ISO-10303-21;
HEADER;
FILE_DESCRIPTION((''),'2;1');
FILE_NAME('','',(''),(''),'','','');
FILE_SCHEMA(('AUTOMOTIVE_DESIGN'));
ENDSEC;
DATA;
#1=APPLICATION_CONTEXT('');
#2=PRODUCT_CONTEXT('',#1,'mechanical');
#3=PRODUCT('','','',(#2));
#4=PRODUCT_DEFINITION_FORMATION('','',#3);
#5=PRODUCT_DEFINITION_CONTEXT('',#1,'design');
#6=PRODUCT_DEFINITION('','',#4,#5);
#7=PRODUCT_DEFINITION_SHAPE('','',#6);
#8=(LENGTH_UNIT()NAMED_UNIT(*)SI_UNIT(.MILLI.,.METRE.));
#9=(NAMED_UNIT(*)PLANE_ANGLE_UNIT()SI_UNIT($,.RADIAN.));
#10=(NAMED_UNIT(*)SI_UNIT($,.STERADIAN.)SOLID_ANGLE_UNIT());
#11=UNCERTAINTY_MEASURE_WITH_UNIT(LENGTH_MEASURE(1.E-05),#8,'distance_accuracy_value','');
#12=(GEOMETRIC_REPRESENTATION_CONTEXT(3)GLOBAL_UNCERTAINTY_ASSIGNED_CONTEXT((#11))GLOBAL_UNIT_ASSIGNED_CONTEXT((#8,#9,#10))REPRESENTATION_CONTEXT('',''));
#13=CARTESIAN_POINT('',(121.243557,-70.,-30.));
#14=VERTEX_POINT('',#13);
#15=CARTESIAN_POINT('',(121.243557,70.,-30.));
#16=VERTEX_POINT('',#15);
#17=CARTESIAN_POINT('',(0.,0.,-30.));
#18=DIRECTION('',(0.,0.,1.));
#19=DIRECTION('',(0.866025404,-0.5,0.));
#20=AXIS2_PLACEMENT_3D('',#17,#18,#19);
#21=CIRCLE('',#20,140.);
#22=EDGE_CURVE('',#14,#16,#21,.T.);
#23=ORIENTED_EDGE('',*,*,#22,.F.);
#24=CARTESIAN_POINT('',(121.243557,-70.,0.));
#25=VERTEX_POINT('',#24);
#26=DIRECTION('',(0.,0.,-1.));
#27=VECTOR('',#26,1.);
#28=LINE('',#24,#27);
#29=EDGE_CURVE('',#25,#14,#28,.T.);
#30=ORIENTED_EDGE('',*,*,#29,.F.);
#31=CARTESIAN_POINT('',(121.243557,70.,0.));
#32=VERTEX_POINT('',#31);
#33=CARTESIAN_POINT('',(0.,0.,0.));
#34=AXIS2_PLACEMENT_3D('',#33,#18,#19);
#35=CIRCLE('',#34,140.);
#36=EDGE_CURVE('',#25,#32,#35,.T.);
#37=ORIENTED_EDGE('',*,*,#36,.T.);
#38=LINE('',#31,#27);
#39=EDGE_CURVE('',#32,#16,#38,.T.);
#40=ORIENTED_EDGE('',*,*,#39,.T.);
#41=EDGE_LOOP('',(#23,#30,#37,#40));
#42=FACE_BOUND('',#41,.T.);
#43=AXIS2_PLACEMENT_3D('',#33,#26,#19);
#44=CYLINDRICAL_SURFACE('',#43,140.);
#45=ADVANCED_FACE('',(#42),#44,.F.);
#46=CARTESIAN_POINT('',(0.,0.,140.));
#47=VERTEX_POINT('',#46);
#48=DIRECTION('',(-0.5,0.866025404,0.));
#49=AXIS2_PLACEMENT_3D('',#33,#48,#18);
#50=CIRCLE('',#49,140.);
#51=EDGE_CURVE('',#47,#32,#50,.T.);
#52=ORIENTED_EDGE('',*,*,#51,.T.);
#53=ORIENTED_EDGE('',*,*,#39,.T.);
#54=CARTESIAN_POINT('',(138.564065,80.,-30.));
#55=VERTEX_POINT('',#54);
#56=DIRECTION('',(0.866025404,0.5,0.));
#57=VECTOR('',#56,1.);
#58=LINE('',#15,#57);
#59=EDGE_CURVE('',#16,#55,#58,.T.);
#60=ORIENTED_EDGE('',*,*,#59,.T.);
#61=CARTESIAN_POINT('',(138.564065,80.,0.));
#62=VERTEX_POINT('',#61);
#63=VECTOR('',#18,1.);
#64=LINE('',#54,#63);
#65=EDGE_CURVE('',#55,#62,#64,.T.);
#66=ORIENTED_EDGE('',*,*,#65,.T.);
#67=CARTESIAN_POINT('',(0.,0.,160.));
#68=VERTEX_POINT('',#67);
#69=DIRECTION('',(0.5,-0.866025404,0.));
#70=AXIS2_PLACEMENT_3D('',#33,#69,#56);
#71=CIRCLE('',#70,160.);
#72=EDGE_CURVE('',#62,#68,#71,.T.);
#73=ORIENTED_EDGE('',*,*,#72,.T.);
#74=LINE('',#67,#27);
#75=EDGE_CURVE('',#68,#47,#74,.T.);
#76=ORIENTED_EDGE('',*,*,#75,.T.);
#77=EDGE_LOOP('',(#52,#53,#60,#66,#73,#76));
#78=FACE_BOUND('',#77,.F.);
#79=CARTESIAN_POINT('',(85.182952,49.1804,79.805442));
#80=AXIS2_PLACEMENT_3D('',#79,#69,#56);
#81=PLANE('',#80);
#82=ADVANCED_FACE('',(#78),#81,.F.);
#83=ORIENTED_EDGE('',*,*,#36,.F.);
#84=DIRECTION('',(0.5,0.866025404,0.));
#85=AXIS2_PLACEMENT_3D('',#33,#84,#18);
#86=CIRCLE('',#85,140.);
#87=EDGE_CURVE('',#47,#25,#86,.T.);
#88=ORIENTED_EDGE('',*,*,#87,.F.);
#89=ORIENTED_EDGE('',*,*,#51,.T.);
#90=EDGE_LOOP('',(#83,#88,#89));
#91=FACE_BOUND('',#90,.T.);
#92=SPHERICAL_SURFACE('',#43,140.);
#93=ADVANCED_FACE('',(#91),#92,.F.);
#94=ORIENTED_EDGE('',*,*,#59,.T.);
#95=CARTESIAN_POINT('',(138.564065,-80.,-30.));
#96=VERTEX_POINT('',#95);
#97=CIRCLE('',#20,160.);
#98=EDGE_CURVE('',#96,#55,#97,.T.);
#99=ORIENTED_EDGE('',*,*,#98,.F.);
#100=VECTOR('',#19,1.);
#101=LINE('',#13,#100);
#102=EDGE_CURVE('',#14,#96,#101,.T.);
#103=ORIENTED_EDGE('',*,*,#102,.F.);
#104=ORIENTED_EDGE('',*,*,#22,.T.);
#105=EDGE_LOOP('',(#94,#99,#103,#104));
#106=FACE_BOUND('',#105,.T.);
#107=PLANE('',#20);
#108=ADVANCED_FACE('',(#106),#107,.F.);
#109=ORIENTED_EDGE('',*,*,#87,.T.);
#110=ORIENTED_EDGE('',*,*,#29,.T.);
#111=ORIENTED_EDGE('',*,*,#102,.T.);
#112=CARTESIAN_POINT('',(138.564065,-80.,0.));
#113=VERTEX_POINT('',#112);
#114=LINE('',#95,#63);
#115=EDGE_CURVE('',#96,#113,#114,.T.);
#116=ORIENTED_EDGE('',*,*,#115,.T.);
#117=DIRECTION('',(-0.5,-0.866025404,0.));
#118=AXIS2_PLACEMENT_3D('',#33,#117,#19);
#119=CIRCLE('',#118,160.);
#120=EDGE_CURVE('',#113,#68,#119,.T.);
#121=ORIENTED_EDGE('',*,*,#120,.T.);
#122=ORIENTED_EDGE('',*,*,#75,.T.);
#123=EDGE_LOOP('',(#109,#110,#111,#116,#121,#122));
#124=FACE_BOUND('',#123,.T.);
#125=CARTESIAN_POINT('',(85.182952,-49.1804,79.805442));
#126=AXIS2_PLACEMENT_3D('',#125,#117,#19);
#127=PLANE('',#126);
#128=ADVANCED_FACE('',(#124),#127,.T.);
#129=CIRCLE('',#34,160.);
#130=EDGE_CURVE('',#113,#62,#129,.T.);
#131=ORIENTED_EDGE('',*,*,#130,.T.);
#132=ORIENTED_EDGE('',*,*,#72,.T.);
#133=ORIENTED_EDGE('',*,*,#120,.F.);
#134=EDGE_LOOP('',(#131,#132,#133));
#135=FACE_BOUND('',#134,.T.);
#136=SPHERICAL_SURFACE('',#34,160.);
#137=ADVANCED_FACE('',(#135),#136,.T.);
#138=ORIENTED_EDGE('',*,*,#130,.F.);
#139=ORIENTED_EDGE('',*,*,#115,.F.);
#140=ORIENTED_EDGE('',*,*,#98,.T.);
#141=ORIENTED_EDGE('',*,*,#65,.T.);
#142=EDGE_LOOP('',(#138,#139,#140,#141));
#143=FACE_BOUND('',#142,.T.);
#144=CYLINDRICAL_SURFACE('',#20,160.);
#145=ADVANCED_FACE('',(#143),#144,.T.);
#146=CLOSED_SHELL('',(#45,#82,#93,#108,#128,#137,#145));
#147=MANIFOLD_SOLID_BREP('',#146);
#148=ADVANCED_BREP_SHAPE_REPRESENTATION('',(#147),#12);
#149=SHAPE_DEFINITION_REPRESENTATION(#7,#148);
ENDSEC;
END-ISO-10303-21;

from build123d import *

# Parameters (mm, degrees)
F2_ANGLE_BACK = 30
F2_ANGLE      = 60


with BuildPart() as f2:
    # F1 (on Front) → F2 (revolve)
    with BuildSketch(Plane.XZ, mode=Mode.PRIVATE) as f2_sk:
        with BuildLine():
            ThreePointArc((0, 140), (98.9949493661, 98.9949493661), (140, 0))
            Line((140, 0), (140, -30))
            Line((140, -30), (160, -30))
            Line((160, -30), (160, 0))
            ThreePointArc((160, 0), (113.1370849898, 113.1370849898), (0, 160))
            Line((0, 160), (0, 140))
        make_face()
    revolve(f2_sk.sketch.rotate(Axis((0, 0, 50), (0, 0, 1)), -F2_ANGLE_BACK), axis=Axis((0, 0, 50), (0, 0, 1)), revolution_arc=F2_ANGLE)


solid = f2.part
